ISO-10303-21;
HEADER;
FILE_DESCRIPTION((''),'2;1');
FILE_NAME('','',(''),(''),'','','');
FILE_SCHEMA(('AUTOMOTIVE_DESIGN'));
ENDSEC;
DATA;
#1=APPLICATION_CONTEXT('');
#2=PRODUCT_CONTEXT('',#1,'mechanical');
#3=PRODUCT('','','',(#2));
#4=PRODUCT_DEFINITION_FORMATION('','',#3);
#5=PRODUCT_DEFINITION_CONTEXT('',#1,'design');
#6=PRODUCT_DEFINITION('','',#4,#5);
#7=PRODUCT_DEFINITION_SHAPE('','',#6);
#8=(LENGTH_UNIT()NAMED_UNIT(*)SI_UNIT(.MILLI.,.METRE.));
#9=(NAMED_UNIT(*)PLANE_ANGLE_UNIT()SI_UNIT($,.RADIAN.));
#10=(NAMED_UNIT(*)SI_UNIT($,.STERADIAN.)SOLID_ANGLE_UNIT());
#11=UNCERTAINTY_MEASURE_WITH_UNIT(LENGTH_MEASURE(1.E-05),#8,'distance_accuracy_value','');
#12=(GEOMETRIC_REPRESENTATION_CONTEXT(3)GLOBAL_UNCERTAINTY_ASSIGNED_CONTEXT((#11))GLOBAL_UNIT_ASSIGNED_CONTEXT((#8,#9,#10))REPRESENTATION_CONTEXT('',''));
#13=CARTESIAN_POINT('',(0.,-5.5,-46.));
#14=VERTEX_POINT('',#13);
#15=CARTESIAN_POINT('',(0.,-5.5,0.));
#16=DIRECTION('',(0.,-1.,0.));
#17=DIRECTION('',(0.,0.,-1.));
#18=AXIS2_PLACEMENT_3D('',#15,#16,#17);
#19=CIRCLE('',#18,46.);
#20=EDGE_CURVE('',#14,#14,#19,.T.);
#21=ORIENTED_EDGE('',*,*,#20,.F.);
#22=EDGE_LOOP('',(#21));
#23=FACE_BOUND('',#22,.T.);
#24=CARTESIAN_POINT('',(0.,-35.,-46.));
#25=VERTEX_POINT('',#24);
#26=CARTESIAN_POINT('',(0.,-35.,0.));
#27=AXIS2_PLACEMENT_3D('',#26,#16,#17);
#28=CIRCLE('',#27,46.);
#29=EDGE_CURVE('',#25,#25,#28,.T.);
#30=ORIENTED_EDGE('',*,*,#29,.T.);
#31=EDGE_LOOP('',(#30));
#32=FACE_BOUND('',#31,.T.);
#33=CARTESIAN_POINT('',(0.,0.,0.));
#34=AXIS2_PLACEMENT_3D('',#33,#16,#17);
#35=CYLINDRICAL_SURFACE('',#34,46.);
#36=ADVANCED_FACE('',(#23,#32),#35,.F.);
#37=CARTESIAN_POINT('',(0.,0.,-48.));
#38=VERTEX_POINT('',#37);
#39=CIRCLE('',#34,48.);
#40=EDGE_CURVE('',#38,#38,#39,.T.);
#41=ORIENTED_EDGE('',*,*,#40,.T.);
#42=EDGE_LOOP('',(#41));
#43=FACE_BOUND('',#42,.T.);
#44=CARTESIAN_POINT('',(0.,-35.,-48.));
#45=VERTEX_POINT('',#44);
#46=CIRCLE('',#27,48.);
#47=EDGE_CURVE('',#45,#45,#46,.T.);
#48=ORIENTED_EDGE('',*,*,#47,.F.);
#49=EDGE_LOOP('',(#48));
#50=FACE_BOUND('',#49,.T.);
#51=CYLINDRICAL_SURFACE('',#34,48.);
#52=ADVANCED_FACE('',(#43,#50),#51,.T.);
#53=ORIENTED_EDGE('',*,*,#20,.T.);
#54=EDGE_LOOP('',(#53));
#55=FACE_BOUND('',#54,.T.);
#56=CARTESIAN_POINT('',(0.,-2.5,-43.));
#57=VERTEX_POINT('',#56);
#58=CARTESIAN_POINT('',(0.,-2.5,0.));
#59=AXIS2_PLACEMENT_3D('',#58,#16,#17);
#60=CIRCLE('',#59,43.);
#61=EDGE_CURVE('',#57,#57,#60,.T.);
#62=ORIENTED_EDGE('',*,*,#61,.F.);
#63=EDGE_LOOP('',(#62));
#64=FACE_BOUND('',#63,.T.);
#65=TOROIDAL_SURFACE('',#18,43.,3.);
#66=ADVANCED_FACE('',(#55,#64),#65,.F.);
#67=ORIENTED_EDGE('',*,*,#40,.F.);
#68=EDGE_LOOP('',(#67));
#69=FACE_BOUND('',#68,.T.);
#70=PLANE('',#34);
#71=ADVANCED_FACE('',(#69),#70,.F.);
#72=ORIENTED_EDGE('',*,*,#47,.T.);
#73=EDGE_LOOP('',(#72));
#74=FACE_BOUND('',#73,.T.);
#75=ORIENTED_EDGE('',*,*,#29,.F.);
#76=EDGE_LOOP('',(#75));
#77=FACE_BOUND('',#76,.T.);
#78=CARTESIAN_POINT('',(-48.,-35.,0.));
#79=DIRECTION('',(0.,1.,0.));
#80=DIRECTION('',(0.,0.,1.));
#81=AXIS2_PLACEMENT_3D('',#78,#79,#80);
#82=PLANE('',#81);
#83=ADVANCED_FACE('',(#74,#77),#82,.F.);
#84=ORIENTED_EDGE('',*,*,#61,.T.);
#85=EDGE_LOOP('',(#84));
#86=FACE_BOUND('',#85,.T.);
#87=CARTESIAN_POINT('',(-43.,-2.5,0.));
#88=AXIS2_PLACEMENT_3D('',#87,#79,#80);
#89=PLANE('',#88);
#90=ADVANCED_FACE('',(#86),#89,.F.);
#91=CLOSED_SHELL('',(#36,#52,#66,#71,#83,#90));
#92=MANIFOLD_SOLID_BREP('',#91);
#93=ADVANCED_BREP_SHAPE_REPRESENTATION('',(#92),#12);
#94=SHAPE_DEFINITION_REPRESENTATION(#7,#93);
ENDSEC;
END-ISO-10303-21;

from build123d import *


with BuildPart() as part:
    # Эскиз2 → Revolve 465 (revolve)
    with BuildSketch(Plane.XY, mode=Mode.PRIVATE) as revolve_465_sk:
        with BuildLine():
            Line((0, 0), (-48, 0))
            Line((-48, 0), (-48, -35))
            Line((-48, -35), (-46, -35))
            Line((-46, -35), (-46, -5.5))
            ThreePointArc((-46, -5.5), (-45.121320344, -3.378679656), (-43, -2.5))
            Line((-43, -2.5), (0, -2.5))
            Line((0, -2.5), (0, 0))
        make_face()
    revolve(revolve_465_sk.sketch.rotate(Axis((0, 0, 0), (0, 1, 0)), 270), axis=Axis((0, 0, 0), (0, 1, 0)))


solid = part.part
